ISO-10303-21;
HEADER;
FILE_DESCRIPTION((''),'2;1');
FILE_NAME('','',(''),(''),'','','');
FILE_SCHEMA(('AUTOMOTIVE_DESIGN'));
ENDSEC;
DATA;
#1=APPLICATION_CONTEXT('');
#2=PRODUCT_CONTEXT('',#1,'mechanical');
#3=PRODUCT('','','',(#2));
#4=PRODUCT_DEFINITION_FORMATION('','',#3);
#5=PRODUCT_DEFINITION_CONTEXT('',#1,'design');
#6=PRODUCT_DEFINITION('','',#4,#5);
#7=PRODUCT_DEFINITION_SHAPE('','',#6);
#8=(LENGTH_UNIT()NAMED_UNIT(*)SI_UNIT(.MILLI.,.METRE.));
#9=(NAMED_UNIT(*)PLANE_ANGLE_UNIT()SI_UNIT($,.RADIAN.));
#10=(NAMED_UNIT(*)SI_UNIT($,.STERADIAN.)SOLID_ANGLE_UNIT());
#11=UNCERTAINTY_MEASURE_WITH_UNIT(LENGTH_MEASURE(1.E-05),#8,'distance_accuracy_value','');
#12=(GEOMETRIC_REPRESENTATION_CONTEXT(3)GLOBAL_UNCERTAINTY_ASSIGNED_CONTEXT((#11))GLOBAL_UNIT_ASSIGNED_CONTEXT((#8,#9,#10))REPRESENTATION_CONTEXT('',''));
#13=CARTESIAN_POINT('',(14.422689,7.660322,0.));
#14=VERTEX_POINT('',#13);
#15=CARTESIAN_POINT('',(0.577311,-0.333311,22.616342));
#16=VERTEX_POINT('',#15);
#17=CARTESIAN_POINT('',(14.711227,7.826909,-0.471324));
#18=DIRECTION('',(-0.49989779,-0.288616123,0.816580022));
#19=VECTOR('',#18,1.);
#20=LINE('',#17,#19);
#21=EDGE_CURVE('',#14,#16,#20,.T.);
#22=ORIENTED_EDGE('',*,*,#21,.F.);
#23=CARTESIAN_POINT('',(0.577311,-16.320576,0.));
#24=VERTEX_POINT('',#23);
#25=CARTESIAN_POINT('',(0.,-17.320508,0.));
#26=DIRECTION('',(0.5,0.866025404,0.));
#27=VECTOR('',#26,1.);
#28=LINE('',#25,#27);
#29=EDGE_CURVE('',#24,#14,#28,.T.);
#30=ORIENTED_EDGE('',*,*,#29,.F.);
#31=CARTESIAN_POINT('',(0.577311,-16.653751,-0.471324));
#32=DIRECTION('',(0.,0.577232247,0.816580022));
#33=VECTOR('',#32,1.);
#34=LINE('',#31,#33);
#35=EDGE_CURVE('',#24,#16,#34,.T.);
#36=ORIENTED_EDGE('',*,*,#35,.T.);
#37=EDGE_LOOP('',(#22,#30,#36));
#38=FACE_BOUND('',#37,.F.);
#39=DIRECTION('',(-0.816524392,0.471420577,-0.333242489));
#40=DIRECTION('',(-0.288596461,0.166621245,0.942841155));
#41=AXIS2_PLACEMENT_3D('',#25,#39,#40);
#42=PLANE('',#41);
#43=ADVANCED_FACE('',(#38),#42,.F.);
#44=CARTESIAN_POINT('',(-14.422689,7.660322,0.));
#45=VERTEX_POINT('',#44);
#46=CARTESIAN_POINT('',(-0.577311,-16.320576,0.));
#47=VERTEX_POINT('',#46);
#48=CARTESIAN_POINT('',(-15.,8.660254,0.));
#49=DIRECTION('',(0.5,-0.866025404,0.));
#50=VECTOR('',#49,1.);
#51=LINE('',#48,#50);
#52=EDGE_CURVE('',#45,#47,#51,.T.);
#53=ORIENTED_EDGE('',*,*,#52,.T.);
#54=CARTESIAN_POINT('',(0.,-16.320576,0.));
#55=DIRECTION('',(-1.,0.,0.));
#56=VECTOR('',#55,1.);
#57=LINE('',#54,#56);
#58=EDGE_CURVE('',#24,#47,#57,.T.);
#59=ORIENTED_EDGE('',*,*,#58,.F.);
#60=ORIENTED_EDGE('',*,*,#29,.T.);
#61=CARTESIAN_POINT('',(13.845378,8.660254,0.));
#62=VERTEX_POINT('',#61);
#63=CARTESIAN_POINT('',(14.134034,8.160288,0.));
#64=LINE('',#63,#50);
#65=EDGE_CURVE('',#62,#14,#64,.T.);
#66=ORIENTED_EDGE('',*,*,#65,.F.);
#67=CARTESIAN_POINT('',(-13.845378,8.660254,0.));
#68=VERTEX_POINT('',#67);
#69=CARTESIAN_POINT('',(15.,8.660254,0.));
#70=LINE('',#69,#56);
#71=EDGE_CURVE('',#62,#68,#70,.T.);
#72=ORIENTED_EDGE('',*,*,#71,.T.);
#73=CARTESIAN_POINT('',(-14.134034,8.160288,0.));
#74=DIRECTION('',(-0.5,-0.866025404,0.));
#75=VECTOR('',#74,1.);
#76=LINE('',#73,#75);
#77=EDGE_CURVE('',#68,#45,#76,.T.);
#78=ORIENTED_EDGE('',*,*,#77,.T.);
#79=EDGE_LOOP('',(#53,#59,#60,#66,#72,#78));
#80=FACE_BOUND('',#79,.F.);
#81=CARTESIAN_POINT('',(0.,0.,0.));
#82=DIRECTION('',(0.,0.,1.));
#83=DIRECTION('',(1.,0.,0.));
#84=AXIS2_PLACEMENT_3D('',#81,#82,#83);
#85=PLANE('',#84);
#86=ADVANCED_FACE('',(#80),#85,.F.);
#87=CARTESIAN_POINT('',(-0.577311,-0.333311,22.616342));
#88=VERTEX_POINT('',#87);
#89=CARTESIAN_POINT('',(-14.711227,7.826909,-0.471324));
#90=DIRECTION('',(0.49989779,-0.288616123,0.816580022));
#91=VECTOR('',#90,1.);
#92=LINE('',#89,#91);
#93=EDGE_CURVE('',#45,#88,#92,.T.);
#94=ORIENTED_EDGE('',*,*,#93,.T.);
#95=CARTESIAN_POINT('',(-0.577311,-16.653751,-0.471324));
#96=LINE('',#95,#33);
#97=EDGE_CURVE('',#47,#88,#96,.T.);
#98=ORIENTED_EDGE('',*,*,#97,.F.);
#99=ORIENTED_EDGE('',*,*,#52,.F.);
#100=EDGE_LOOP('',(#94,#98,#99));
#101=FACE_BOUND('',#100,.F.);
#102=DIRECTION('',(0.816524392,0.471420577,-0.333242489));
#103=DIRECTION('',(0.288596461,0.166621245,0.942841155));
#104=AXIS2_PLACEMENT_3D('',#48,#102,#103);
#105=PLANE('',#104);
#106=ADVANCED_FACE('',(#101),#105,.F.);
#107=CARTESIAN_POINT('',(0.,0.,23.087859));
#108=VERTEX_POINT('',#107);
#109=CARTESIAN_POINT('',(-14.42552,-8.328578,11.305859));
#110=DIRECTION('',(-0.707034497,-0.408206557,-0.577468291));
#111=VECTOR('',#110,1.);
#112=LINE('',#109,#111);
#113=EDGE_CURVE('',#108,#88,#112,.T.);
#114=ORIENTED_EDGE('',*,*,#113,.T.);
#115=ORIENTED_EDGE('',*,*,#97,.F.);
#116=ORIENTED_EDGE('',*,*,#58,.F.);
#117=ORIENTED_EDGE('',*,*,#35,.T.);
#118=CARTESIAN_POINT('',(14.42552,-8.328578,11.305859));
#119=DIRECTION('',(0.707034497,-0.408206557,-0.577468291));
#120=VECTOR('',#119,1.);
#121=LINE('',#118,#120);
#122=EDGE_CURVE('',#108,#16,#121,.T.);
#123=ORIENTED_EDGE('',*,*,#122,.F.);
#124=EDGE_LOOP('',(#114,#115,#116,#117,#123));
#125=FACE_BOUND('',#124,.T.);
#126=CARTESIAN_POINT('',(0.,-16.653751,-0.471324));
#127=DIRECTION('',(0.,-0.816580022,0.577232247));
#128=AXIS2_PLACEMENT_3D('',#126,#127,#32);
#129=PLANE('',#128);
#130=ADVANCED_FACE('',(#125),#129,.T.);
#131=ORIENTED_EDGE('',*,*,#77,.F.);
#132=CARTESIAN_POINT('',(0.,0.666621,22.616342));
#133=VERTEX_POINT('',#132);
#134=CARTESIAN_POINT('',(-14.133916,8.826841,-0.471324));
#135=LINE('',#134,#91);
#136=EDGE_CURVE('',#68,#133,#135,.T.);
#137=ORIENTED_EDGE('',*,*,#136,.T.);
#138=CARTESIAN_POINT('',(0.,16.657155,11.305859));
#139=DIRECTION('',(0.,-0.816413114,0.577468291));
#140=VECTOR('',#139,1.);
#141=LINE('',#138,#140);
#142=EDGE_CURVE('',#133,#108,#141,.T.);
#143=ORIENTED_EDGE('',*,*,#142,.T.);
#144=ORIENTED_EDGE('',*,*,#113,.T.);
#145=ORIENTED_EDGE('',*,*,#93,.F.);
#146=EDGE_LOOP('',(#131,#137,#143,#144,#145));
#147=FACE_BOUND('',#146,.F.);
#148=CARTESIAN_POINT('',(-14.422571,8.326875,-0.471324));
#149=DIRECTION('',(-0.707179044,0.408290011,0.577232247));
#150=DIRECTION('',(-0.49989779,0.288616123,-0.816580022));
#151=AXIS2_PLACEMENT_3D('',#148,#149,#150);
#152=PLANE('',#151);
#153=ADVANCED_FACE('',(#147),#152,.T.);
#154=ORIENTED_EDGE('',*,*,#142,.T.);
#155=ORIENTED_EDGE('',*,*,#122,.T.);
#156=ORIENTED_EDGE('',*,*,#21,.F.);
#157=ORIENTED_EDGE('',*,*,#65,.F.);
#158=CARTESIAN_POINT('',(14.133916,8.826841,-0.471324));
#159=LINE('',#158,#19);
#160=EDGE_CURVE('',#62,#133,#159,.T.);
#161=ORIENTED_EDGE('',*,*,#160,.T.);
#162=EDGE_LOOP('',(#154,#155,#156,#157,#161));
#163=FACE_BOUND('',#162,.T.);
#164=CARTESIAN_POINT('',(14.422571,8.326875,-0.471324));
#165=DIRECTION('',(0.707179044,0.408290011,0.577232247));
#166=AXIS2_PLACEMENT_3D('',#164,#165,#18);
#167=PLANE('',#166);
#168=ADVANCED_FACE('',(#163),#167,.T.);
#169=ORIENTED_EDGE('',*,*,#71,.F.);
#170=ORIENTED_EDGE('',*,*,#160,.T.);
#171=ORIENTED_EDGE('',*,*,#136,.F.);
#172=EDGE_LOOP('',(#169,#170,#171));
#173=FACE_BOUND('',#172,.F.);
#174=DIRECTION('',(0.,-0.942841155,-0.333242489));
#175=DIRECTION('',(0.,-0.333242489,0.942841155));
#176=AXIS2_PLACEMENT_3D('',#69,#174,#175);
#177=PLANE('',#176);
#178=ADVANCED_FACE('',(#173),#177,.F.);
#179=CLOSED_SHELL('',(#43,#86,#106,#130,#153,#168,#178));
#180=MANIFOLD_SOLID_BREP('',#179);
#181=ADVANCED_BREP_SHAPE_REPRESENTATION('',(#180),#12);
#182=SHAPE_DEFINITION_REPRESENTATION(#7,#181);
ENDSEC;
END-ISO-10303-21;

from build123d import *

# Parameters (mm, degrees)
F1_DEPTH = 24.495
F1_TAPER = 19.4657
F2_SIZE  = 1


with BuildPart() as f1:
    # F0 (on Top) → F1 (new body)
    with BuildSketch(Plane.XY):
        Polygon((15, 8.6602540378), (-15, 8.6602540378), (0, -17.3205080757), align=None)
    extrude(amount=F1_DEPTH, taper=F1_TAPER)

    # F2 (call 1 of 3: OpenCascade refuses the feature's edges together)
    f2_edges = [f1.edges().sort_by_distance(p)[0] for p in [
        (0, -8.662872, 12.247501),
    ]]
    chamfer(f2_edges, length=F2_SIZE)

    # F2#2 (call 2 of 3)
    f2_2_edges = [f1.edges().sort_by_distance(p)[0] for p in [
        (7.502267, 4.331436, 12.247501),
    ]]
    chamfer(f2_2_edges, length=F2_SIZE)

    # F2#3 (call 3 of 3)
    f2_3_edges = [f1.edges().sort_by_distance(p)[0] for p in [
        (-7.502267, 4.331436, 12.247501),
    ]]
    chamfer(f2_3_edges, length=F2_SIZE)


solid = f1.part
